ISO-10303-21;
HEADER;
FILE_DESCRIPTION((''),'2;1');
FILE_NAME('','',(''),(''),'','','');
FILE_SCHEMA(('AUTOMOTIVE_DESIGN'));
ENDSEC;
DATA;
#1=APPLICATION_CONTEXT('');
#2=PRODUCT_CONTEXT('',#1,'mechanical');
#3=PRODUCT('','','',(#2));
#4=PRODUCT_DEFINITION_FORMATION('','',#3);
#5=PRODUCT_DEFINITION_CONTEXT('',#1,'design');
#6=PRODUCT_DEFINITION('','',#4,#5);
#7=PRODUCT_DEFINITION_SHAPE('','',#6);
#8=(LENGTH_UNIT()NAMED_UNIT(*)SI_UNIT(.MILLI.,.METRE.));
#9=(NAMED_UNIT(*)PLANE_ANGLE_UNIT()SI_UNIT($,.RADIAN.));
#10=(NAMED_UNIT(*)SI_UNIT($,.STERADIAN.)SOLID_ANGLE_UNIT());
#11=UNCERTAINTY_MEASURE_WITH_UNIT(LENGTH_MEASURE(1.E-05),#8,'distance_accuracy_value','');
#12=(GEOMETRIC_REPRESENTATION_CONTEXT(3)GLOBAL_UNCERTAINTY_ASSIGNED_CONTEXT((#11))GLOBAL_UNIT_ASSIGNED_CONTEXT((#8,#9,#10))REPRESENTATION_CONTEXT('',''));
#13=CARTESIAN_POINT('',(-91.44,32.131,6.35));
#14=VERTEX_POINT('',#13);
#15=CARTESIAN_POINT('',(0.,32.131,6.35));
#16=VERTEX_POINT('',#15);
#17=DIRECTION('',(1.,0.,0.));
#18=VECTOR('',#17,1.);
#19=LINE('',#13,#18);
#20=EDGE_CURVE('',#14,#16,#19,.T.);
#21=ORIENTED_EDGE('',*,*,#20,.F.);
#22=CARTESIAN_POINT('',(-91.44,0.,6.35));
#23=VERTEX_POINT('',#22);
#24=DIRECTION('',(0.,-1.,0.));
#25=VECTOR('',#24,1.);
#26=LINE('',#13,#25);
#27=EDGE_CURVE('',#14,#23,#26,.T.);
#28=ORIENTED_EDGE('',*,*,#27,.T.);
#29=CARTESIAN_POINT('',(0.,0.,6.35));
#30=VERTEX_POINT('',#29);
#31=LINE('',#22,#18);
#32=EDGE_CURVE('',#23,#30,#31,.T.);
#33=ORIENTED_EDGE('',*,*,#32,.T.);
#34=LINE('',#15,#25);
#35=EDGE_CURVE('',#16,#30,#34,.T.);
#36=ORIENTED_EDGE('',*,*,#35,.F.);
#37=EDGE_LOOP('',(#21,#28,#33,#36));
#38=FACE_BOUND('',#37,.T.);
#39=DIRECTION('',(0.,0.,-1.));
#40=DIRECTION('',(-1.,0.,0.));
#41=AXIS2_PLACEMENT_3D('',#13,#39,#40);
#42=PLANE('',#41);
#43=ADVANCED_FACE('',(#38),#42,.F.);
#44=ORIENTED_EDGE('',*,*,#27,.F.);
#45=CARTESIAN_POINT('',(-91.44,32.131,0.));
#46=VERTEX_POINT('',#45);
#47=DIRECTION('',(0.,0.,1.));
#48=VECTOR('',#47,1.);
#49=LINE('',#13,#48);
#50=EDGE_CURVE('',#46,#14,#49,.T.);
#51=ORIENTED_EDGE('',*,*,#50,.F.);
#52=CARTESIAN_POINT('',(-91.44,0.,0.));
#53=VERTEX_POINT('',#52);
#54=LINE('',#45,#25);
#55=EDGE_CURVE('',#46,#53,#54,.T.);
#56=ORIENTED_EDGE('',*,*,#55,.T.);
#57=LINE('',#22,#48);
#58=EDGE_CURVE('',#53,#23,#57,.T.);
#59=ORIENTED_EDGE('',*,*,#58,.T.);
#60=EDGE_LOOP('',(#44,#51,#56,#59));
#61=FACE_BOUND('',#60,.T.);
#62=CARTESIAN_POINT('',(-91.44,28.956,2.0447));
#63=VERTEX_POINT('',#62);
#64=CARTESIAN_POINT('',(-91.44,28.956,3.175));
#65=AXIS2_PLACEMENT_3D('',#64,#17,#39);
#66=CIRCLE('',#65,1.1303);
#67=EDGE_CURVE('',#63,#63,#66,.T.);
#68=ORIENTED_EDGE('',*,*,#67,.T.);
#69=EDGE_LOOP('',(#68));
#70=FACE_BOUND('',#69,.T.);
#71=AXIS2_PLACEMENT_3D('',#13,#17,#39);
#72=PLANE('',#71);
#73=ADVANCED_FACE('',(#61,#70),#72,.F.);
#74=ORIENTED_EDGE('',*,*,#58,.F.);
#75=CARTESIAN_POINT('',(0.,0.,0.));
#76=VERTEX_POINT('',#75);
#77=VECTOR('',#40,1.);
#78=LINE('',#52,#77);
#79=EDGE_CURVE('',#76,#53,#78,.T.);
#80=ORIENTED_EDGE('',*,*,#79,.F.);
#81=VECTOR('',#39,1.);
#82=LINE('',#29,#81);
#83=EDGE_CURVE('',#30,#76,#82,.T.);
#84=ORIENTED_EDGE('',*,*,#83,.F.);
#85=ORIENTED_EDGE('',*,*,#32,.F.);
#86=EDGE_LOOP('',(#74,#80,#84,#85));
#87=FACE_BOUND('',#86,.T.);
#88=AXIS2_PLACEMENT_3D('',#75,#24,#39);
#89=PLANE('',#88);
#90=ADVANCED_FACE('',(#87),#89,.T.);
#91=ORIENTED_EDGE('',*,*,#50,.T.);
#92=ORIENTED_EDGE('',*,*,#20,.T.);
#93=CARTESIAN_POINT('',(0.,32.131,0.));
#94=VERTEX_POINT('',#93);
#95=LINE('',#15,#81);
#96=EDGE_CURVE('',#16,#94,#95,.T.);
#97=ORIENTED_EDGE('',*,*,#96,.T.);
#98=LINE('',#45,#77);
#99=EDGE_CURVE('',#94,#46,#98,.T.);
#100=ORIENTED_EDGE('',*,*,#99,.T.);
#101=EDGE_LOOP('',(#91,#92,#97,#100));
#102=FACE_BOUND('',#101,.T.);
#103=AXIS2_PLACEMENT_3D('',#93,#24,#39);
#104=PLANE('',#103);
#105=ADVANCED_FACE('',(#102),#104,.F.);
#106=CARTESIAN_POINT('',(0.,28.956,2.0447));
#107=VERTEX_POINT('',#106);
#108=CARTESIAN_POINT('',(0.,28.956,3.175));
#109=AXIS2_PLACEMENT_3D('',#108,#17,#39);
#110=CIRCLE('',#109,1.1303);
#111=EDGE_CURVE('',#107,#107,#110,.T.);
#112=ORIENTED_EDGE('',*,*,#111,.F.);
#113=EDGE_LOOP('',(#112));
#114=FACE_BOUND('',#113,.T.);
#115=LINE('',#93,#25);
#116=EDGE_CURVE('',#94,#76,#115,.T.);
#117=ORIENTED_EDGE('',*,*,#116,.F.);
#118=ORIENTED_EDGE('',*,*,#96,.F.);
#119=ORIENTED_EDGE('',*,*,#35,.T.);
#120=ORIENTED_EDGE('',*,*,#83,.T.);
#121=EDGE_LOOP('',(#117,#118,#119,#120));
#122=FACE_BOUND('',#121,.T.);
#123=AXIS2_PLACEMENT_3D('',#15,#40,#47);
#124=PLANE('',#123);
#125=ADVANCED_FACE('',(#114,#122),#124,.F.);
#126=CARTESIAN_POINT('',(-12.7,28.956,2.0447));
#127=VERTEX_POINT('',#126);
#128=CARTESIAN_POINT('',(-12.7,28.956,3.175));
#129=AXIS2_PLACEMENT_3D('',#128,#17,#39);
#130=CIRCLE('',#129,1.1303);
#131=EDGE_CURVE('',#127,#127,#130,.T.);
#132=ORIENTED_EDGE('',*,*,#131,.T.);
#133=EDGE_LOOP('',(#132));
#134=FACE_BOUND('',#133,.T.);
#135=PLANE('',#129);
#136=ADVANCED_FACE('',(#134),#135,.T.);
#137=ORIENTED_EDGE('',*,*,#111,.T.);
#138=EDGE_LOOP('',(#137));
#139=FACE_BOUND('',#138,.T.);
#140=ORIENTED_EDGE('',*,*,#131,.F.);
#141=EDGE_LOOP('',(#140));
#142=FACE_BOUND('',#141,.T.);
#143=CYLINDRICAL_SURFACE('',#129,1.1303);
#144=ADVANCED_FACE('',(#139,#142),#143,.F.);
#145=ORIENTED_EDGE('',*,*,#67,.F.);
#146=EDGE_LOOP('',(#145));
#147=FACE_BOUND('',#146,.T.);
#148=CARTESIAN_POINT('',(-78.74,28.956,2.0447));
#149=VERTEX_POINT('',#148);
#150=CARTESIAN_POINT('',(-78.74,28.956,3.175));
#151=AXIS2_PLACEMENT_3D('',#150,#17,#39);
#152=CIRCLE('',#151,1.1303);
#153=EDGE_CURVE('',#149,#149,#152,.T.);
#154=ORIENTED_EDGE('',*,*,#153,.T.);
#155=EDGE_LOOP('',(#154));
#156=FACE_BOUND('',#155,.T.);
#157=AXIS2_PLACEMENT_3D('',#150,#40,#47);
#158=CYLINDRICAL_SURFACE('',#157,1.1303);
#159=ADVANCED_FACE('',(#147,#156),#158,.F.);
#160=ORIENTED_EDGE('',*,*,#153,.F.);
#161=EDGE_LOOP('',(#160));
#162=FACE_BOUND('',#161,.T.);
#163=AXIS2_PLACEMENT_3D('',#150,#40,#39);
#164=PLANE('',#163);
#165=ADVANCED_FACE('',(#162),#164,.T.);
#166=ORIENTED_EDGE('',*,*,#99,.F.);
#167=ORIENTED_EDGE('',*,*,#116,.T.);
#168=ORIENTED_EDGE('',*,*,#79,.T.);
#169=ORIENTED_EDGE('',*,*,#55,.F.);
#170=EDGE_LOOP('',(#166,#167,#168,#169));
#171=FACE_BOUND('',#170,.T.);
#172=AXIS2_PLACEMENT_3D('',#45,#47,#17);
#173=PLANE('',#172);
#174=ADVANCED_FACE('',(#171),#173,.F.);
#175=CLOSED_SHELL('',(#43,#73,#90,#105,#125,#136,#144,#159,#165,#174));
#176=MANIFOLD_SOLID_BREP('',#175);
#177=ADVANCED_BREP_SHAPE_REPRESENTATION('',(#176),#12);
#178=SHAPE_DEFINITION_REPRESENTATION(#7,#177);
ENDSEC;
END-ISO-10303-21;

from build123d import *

# Parameters (mm, degrees)
SKETCH1_W           = 91.44
SKETCH1_H           = 6.35
BOSS_EXTRUDE1_DEPTH = 32.131
SKETCH2_R           = 1.1303
CUT_EXTRUDE1_DEPTH  = 12.7


with BuildPart() as part:
    # Sketch1 → Boss-Extrude1 (new body)
    with BuildSketch(Plane(origin=(0, 0, 0), x_dir=(1, 0, 0), z_dir=(0, 1, 0))):
        with Locations((-45.72, -3.175)):
            Rectangle(SKETCH1_W, SKETCH1_H)
    extrude(amount=BOSS_EXTRUDE1_DEPTH)

    # Sketch2 → Cut-Extrude1 (cut)
    with BuildSketch(Plane(origin=(0, 0, 0), x_dir=(0, 0, -1), z_dir=(1, 0, 0))):
        with Locations((-3.175, 28.956)):
            Circle(SKETCH2_R)
    cut_extrude1 = extrude(amount=-CUT_EXTRUDE1_DEPTH, mode=Mode.SUBTRACT)

    # Mirror1: Cut-Extrude1 across plane
    add(cut_extrude1.mirror(Plane(origin=(-45.72, 0, 0), x_dir=(0, 0, 1), z_dir=(1, 0, 0))), mode=Mode.SUBTRACT)


solid = part.part
